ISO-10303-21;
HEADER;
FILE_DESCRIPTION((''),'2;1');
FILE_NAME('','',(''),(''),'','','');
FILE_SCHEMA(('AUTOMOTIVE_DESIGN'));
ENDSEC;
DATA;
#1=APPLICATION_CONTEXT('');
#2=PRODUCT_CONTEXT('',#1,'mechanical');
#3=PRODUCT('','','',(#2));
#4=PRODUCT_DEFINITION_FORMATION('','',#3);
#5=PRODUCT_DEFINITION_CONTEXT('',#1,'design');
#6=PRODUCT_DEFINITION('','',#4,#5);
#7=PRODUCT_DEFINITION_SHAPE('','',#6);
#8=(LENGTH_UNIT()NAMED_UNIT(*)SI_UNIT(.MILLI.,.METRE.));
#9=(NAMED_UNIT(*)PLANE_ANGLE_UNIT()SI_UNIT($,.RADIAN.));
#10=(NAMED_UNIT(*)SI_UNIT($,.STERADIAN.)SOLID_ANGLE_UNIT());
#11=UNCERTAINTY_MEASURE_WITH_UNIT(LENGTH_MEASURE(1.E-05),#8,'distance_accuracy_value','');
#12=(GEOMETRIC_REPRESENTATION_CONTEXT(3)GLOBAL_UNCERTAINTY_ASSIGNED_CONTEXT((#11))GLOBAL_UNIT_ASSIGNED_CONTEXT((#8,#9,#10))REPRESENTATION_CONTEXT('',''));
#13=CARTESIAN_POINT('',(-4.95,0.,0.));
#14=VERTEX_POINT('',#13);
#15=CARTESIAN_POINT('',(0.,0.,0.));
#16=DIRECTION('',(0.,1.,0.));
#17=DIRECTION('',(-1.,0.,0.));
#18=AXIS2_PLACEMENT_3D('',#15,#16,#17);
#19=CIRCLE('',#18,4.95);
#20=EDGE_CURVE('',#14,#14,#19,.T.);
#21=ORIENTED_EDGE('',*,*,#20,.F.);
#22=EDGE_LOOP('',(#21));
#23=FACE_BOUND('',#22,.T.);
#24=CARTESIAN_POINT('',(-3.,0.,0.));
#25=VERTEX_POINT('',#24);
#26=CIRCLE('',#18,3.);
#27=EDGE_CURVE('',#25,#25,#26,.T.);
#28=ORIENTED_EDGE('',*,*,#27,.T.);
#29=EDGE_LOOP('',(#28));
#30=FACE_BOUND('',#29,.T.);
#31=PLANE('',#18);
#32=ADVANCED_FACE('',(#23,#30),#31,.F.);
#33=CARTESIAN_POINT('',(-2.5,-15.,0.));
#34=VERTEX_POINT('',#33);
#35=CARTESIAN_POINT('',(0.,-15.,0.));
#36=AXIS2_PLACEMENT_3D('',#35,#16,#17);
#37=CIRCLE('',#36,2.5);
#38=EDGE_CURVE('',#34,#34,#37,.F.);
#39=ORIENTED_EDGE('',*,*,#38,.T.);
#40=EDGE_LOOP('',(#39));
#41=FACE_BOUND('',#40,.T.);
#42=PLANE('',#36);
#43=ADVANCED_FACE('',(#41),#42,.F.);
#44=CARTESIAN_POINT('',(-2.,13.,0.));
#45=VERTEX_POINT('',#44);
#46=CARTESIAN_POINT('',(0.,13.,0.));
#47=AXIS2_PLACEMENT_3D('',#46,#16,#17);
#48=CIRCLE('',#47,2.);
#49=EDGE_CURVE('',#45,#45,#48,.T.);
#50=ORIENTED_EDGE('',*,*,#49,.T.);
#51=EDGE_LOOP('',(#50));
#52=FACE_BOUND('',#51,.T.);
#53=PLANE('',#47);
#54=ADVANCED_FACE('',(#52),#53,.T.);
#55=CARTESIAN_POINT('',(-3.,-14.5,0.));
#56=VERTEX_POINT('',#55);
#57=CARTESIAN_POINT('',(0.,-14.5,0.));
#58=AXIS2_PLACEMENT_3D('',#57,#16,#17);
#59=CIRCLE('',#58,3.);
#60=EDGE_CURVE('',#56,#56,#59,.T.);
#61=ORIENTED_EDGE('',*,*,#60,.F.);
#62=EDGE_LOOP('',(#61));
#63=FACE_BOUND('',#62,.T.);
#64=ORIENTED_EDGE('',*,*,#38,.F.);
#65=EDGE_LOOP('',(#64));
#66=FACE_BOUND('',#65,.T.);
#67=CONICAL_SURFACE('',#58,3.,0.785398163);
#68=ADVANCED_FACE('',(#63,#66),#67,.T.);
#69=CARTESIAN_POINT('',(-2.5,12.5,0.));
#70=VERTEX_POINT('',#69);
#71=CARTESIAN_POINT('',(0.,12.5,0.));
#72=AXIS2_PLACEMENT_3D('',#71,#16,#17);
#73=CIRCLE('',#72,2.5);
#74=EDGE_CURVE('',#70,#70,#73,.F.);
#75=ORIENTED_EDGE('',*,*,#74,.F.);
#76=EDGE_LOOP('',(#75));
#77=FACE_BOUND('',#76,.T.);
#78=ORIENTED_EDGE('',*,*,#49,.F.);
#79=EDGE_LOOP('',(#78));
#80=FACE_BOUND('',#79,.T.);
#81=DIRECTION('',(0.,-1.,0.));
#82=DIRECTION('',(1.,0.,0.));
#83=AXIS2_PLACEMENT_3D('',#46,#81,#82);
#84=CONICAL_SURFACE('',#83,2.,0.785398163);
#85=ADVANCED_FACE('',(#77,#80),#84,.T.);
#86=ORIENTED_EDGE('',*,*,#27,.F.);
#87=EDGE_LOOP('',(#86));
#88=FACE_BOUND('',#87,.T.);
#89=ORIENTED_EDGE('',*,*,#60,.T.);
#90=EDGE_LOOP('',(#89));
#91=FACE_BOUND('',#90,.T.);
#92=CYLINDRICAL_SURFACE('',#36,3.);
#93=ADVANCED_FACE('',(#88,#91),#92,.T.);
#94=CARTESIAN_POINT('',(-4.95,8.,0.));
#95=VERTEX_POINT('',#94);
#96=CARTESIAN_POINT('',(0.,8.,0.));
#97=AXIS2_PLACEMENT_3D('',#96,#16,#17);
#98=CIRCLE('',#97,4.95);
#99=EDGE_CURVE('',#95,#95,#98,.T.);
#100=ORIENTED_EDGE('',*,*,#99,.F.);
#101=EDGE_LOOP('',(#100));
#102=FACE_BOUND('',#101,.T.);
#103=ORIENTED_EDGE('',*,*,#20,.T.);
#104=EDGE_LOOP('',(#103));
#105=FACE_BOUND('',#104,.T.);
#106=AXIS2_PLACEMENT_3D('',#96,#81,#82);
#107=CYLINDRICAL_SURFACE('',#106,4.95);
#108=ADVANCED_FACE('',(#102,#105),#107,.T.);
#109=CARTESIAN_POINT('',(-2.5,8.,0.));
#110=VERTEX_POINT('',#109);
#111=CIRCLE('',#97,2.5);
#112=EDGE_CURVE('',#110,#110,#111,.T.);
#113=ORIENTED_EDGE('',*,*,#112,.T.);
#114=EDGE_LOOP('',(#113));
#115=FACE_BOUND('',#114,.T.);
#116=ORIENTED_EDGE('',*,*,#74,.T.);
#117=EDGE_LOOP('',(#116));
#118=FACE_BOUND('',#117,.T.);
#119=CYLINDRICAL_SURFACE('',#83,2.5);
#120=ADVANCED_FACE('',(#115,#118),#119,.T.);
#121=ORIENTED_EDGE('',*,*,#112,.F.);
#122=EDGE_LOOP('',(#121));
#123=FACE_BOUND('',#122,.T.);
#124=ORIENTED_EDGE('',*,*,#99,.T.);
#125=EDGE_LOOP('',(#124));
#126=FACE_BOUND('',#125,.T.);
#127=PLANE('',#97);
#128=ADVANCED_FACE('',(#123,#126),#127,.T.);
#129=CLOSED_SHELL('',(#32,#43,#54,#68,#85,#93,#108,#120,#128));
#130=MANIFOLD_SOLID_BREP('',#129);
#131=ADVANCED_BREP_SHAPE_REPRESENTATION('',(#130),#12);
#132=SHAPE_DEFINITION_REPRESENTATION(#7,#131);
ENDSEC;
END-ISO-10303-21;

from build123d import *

# Parameters (mm, degrees)
SCHIZZO1_R                   = 3
ESTRUSIONE_ESTRUSIONE1_DEPTH = 15
SCHIZZO2_R                   = 4.95
ESTRUSIONE_ESTRUSIONE2_DEPTH = 8
SMUSSO1_SIZE                 = 0.5
SCHIZZO4_R                   = 2.5
ESTRUSIONE_ESTRUSIONE5_DEPTH = 5
SMUSSO2_SIZE                 = 0.5


with BuildPart() as part:
    # Schizzo1 → Estrusione-Estrusione1 (new body)
    with BuildSketch(Plane(origin=(0, 0, 0), x_dir=(1, 0, 0), z_dir=(0, 1, 0))):
        with Locations(Location((0, 0, 0), (0, 0, 180))):
            Circle(SCHIZZO1_R)
    extrude(amount=-ESTRUSIONE_ESTRUSIONE1_DEPTH)

    # Schizzo2 → Estrusione-Estrusione2 (add)
    with BuildSketch(Plane(origin=(0, 0, 0), x_dir=(1, 0, 0), z_dir=(0, 1, 0))):
        with Locations(Location((0, 0, 0), (0, 0, 180))):
            Circle(SCHIZZO2_R)
    extrude(amount=ESTRUSIONE_ESTRUSIONE2_DEPTH)

    # Smusso1
    smusso1_edges = [part.edges().sort_by_distance(p)[0] for p in [
        (3, -15, 0),
    ]]
    chamfer(smusso1_edges, length=SMUSSO1_SIZE)

    # Schizzo4 → Estrusione-Estrusione5 (add)
    with BuildSketch(Plane(origin=(0, 8, 0), x_dir=(1, 0, 0), z_dir=(0, 1, 0))):
        with Locations(Location((0, 0, 0), (0, 0, 180))):
            Circle(SCHIZZO4_R)
    extrude(amount=ESTRUSIONE_ESTRUSIONE5_DEPTH)

    # Smusso2
    smusso2_edges = [part.edges().sort_by_distance(p)[0] for p in [
        (2.5, 13, 0),
    ]]
    chamfer(smusso2_edges, length=SMUSSO2_SIZE)


solid = part.part
